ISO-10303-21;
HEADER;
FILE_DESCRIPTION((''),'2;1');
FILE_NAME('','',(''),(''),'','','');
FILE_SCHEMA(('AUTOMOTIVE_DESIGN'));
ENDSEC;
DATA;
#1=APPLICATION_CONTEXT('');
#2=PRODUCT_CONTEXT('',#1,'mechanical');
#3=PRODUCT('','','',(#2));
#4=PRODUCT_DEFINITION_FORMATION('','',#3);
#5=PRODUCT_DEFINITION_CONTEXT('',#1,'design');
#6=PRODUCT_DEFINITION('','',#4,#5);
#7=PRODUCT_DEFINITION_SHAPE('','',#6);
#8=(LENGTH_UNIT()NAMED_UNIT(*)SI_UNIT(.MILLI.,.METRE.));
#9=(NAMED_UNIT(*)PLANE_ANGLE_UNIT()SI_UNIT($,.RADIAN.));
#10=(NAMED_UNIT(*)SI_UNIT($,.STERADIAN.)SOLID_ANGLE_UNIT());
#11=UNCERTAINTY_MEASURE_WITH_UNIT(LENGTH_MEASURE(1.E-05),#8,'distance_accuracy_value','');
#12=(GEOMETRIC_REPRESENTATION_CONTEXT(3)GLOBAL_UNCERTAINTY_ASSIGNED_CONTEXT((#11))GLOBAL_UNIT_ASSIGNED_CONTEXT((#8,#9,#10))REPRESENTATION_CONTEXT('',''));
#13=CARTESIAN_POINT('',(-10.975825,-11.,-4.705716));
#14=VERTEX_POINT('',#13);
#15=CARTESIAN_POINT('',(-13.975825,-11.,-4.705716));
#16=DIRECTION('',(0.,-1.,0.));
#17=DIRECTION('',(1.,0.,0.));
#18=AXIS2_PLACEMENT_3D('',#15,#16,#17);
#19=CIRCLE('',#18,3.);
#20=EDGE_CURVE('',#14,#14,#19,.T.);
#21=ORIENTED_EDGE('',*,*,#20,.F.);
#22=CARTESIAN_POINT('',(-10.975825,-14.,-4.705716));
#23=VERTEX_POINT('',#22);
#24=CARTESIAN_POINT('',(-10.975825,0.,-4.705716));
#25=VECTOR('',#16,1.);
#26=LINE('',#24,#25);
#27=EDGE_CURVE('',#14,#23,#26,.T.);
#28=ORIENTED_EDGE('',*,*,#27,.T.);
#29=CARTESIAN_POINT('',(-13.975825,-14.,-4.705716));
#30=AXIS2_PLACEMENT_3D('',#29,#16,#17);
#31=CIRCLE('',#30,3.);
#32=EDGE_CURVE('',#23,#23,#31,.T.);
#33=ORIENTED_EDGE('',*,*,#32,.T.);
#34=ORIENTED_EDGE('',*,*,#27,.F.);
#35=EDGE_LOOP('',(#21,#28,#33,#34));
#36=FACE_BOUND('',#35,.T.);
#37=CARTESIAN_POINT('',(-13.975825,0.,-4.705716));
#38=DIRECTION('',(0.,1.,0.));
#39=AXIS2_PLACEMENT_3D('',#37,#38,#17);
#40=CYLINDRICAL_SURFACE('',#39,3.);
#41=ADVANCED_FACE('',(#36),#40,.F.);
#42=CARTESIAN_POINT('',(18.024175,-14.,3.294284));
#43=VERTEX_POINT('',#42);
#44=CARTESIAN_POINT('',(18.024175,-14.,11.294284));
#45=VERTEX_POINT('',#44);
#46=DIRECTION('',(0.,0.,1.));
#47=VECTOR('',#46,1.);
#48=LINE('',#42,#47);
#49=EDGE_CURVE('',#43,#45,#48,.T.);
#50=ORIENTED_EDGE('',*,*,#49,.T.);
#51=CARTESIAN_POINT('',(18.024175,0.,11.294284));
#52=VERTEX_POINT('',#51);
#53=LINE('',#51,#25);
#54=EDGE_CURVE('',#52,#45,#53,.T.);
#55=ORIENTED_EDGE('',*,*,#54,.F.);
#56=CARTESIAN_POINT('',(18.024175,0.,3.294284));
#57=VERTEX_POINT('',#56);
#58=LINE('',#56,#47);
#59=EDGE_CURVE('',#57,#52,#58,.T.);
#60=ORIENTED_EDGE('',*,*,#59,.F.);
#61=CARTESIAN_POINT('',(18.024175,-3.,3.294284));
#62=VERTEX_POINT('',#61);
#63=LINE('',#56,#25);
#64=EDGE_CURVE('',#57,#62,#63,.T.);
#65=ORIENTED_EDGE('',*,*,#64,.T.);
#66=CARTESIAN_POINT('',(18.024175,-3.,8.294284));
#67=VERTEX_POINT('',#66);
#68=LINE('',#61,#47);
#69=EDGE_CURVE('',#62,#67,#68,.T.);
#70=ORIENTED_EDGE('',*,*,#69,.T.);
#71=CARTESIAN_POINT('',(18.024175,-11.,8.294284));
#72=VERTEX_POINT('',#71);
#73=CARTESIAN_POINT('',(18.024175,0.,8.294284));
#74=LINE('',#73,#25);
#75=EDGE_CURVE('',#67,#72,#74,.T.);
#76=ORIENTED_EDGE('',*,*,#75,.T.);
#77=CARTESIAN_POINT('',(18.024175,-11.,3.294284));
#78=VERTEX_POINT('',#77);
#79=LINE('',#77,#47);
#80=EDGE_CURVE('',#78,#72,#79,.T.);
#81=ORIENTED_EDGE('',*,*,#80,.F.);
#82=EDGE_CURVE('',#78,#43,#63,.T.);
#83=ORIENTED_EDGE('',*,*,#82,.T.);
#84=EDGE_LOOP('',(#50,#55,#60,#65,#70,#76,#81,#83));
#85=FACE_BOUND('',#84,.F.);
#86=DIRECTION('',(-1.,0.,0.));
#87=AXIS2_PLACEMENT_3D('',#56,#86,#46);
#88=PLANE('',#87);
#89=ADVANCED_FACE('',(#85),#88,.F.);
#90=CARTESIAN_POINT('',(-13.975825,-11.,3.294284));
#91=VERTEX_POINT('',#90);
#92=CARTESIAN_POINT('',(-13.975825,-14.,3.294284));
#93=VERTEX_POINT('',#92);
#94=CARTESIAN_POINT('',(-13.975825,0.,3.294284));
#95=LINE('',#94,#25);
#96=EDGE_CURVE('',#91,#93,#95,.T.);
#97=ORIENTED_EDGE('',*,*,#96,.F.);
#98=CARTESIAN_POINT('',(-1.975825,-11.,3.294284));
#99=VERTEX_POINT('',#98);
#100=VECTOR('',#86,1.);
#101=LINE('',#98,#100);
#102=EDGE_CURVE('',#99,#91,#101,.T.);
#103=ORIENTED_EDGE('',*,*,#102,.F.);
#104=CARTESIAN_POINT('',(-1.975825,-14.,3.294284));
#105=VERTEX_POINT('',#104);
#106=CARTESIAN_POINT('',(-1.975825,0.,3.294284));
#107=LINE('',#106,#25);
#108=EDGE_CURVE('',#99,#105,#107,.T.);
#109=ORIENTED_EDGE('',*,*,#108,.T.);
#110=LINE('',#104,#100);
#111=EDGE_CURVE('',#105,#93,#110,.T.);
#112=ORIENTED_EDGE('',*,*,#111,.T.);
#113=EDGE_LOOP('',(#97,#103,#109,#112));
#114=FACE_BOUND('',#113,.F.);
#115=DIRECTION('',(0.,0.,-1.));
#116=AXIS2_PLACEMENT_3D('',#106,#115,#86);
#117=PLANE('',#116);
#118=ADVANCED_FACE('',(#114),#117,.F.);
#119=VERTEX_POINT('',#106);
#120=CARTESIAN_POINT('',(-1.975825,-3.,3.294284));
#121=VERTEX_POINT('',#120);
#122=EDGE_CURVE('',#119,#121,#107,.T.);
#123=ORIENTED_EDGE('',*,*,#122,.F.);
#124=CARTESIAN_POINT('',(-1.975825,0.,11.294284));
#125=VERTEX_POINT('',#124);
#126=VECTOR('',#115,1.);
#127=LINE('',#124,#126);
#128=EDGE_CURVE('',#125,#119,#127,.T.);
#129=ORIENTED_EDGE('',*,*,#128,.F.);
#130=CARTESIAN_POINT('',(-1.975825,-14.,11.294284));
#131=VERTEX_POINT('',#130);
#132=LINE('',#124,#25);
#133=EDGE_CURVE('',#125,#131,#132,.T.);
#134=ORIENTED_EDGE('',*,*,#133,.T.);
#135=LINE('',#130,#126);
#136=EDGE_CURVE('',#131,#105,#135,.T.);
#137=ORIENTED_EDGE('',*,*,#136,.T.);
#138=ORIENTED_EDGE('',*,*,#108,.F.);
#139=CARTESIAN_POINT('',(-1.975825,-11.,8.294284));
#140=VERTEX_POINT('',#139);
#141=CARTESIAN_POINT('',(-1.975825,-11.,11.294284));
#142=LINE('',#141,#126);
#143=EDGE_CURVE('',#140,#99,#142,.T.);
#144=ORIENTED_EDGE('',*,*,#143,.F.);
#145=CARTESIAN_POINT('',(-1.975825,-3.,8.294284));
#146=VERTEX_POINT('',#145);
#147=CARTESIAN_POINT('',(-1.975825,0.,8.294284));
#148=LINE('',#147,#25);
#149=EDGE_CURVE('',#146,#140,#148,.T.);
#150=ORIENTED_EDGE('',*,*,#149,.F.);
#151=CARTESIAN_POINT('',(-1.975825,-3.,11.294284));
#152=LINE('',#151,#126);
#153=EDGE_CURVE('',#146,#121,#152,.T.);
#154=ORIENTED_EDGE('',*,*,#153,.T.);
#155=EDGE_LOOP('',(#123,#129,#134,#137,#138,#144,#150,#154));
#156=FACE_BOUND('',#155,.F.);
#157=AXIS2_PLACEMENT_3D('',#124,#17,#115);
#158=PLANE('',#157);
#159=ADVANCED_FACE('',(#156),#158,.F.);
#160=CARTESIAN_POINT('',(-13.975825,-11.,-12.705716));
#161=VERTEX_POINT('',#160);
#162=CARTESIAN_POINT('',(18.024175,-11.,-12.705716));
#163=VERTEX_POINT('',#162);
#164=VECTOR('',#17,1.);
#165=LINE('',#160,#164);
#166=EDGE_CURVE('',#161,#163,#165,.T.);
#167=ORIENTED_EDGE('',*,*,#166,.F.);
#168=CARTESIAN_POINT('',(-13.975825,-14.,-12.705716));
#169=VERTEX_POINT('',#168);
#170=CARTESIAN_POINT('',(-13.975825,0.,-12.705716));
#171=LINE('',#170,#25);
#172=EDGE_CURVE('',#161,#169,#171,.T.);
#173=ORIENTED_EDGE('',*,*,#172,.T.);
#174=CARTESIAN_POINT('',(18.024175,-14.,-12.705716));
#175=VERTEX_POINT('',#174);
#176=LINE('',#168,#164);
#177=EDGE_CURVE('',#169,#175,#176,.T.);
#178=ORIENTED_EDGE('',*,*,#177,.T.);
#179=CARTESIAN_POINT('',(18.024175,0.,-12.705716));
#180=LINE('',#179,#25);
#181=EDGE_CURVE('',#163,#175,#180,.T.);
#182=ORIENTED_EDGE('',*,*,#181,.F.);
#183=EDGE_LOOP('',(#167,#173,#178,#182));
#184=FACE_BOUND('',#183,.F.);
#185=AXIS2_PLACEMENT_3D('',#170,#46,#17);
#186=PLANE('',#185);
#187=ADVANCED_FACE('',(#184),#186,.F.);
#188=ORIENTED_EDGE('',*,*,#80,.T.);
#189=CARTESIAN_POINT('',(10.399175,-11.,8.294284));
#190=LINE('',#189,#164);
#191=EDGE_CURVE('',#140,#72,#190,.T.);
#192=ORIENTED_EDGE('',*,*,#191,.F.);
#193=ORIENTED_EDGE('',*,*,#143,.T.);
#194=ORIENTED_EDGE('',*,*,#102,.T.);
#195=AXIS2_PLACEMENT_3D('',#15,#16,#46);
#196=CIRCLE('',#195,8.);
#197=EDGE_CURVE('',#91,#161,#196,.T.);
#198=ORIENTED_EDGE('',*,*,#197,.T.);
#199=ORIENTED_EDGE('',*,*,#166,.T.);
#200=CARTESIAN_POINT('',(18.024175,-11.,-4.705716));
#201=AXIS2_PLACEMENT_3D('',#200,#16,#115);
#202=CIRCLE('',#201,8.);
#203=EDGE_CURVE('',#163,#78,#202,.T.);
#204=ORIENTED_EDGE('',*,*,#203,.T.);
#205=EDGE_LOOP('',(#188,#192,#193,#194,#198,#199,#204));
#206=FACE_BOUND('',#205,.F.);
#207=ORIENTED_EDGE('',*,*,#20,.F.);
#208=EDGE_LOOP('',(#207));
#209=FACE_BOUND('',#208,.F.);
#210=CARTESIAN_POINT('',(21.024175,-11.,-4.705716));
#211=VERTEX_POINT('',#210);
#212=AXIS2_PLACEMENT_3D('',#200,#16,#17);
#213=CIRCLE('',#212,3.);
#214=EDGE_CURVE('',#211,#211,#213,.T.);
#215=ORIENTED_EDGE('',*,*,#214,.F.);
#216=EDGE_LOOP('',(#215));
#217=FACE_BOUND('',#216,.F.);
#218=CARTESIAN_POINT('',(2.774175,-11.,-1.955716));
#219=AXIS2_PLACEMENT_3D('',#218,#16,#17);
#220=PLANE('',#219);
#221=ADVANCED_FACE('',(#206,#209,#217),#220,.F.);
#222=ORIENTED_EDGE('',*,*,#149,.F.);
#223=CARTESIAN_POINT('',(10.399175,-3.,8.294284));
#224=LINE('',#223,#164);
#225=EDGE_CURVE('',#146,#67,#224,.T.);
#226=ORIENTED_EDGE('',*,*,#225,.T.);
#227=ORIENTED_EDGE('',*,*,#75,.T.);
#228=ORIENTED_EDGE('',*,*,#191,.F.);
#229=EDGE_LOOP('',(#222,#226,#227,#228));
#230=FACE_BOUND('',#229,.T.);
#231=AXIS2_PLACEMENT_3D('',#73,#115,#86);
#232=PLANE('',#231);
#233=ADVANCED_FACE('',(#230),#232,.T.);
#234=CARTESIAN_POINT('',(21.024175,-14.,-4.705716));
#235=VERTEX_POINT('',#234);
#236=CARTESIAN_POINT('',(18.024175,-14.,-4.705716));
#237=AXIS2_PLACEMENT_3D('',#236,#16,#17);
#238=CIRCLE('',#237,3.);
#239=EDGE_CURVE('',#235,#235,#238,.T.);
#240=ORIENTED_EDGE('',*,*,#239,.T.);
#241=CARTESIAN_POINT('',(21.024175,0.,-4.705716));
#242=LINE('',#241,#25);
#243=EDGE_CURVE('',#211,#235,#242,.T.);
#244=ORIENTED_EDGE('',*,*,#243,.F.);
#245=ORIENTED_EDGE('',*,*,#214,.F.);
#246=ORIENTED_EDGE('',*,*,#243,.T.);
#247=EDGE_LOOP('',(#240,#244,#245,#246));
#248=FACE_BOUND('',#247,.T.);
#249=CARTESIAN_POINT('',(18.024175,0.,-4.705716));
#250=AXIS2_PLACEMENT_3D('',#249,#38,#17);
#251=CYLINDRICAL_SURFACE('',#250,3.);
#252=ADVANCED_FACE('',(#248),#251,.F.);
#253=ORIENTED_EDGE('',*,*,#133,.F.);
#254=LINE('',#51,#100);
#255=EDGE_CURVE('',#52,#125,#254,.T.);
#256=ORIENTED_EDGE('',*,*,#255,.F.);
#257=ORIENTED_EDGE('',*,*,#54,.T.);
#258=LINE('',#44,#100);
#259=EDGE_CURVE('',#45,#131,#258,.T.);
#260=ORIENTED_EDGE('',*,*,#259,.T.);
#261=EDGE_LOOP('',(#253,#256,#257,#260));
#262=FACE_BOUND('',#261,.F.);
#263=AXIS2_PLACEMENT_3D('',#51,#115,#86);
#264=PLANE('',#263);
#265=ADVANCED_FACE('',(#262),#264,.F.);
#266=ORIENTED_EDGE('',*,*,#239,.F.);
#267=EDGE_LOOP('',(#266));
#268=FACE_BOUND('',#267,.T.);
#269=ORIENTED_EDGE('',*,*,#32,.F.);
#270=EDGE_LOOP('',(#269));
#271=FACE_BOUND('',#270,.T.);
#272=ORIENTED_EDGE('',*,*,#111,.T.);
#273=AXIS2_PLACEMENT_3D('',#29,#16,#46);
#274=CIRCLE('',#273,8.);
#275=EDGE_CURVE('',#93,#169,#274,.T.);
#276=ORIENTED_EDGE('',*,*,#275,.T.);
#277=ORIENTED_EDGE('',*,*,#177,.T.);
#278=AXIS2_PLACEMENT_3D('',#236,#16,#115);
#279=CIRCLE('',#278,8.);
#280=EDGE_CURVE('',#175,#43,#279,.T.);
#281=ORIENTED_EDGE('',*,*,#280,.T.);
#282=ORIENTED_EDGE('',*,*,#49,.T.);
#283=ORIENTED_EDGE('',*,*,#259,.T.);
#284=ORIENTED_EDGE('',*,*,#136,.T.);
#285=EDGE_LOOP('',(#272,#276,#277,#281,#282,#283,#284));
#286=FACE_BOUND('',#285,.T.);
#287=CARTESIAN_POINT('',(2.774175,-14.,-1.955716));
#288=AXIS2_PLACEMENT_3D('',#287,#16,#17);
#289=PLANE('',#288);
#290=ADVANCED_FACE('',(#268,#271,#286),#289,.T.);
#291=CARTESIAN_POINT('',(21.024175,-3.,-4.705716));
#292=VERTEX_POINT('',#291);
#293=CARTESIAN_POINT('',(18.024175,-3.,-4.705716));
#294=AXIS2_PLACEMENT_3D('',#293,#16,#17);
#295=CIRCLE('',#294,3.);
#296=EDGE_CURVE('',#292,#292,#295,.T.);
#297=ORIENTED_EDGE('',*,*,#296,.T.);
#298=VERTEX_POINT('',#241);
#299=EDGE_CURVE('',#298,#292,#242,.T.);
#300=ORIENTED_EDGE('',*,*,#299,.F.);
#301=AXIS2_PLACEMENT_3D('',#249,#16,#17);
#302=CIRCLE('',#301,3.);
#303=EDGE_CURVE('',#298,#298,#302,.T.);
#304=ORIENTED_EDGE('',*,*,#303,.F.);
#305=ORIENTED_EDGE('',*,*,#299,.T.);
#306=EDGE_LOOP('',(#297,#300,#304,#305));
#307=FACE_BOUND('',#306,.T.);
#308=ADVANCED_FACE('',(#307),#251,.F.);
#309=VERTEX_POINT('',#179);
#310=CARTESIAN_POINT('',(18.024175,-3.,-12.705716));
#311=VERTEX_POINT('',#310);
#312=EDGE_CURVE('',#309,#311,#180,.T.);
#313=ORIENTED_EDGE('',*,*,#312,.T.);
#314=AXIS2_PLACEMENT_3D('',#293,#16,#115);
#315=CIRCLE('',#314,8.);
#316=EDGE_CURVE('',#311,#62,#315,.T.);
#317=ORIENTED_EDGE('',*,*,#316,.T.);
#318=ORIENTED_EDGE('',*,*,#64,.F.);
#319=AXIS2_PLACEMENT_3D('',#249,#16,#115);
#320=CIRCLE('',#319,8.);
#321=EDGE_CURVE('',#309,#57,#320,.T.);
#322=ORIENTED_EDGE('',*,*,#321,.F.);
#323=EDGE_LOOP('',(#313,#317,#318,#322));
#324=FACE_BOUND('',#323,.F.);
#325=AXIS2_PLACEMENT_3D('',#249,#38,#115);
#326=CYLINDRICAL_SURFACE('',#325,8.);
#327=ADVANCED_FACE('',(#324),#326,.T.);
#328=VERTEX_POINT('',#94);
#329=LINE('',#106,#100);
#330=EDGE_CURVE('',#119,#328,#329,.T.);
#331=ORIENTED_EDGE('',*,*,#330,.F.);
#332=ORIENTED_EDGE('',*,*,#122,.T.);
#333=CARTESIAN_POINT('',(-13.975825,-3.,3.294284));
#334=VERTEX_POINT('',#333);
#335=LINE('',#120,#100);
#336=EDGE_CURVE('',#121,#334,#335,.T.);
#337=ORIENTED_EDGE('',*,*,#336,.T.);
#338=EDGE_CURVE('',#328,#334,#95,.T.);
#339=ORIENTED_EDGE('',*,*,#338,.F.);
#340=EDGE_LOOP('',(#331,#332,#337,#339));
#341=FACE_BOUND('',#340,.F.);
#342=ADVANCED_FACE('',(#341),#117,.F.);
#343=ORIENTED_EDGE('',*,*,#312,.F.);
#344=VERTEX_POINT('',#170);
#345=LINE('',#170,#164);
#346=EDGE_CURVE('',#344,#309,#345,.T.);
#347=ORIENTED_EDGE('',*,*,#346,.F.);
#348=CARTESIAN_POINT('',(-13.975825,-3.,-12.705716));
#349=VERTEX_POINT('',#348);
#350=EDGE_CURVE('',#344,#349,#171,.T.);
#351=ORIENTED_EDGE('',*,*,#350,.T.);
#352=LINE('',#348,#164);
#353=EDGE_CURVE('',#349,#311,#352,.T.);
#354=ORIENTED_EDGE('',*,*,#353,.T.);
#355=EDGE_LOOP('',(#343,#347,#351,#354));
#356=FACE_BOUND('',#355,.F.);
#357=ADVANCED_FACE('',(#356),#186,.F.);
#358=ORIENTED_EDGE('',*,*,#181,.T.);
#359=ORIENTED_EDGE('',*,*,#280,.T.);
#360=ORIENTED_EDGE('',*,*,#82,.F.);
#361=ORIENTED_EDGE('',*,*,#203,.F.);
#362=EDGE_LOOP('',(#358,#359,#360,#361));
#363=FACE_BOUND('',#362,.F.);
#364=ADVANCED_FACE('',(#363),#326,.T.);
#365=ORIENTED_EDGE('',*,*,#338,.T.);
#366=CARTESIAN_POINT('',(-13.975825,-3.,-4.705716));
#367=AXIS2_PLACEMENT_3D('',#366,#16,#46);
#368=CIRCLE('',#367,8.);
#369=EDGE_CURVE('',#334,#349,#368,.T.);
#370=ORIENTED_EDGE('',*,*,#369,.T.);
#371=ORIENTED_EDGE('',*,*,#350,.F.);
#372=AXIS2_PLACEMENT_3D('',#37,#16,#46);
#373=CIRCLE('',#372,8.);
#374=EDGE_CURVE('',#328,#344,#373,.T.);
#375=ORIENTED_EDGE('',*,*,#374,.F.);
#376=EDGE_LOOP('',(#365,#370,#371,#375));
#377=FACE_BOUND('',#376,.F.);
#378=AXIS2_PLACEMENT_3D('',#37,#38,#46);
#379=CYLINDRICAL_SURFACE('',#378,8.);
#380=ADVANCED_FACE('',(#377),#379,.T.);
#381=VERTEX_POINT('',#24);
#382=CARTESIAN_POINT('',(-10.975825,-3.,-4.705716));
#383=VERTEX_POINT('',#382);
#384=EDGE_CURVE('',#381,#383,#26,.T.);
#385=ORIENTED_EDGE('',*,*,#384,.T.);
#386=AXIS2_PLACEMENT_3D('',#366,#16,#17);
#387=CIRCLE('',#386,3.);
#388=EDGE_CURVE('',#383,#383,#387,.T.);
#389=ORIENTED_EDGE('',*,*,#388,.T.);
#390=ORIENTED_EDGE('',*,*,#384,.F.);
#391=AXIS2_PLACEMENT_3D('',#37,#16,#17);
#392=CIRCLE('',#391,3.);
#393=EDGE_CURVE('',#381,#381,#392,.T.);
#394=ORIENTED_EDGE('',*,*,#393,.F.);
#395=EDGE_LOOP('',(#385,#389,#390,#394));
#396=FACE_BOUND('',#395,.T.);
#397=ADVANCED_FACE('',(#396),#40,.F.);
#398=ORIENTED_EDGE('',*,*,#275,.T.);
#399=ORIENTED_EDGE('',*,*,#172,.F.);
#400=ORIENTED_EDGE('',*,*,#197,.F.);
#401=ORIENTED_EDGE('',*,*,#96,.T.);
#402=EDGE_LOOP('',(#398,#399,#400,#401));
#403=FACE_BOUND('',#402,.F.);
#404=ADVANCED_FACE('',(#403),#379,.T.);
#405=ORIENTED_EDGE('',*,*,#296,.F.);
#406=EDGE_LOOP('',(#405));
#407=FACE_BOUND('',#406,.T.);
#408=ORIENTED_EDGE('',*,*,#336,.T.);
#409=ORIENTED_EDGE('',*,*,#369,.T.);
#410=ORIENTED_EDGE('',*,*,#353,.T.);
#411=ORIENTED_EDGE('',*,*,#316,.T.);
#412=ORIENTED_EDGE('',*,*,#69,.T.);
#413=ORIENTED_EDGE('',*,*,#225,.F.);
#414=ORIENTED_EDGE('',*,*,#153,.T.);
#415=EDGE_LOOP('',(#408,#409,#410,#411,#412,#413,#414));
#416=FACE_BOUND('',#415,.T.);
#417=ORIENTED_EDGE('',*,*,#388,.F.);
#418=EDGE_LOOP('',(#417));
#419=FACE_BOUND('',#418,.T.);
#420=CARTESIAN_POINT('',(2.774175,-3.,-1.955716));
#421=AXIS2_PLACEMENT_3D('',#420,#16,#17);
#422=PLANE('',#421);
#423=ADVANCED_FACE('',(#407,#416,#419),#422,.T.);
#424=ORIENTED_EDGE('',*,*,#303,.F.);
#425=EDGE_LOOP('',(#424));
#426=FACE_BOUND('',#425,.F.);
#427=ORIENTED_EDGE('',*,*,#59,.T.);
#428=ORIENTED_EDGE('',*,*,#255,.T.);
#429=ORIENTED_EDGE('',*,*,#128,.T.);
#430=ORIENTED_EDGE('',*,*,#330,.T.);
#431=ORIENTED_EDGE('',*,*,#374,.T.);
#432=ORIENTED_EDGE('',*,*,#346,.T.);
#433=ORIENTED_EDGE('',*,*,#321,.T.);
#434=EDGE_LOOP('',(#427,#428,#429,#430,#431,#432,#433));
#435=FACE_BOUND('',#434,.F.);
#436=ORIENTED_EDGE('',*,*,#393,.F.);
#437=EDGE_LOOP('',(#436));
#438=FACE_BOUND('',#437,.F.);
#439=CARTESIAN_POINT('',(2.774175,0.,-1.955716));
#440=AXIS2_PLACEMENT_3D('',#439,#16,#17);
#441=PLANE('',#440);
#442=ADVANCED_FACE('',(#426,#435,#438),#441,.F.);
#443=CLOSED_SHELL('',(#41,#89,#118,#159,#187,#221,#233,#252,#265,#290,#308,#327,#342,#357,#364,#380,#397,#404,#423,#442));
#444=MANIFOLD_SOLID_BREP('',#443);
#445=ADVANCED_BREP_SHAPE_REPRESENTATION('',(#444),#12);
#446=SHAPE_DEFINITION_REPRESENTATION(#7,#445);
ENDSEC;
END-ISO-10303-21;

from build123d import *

# Parameters (mm, degrees)
F0_R     = 3
F1_DEPTH = 14
F2_T     = -3


with BuildPart() as f1:
    # F0 (on Front) → F1 (new body)
    with BuildSketch(Plane.XZ):
        with BuildLine():
            ThreePointArc((-13.975825, 3.294284), (-21.975825, -4.705716), (-13.975825, -12.705716))
            Line((-13.975825, -12.705716), (18.024175, -12.705716))
            ThreePointArc((18.024175, -12.705716), (26.024175, -4.705716), (18.024175, 3.294284))
            Line((18.024175, 3.294284), (18.024175, 11.294284))
            Line((18.024175, 11.294284), (-1.975825, 11.294284))
            Line((-1.975825, 11.294284), (-1.975825, 3.294284))
            Line((-1.975825, 3.294284), (-13.975825, 3.294284))
        make_face()
        with Locations((-13.975825, -4.705716)):
            Circle(F0_R, mode=Mode.SUBTRACT)
        with Locations((18.024175, -4.705716)):
            Circle(F0_R, mode=Mode.SUBTRACT)
    extrude(amount=F1_DEPTH)

    # F2
    f2_openings = [f1.faces().sort_by_distance(p)[0] for p in [
        (-21.975825, -7, -4.705716),
        (2.024175, -7, -12.705716),
        (-7.975825, -7, 3.294284),
        (-1.975825, -7, 7.294284),
        (-16.975825, -7, -4.705716),
        (15.024175, -7, -4.705716),
        (26.024175, -7, -4.705716),
        (18.024175, -7, 7.294284),
    ]]
    offset(amount=F2_T, openings=f2_openings)


solid = f1.part
